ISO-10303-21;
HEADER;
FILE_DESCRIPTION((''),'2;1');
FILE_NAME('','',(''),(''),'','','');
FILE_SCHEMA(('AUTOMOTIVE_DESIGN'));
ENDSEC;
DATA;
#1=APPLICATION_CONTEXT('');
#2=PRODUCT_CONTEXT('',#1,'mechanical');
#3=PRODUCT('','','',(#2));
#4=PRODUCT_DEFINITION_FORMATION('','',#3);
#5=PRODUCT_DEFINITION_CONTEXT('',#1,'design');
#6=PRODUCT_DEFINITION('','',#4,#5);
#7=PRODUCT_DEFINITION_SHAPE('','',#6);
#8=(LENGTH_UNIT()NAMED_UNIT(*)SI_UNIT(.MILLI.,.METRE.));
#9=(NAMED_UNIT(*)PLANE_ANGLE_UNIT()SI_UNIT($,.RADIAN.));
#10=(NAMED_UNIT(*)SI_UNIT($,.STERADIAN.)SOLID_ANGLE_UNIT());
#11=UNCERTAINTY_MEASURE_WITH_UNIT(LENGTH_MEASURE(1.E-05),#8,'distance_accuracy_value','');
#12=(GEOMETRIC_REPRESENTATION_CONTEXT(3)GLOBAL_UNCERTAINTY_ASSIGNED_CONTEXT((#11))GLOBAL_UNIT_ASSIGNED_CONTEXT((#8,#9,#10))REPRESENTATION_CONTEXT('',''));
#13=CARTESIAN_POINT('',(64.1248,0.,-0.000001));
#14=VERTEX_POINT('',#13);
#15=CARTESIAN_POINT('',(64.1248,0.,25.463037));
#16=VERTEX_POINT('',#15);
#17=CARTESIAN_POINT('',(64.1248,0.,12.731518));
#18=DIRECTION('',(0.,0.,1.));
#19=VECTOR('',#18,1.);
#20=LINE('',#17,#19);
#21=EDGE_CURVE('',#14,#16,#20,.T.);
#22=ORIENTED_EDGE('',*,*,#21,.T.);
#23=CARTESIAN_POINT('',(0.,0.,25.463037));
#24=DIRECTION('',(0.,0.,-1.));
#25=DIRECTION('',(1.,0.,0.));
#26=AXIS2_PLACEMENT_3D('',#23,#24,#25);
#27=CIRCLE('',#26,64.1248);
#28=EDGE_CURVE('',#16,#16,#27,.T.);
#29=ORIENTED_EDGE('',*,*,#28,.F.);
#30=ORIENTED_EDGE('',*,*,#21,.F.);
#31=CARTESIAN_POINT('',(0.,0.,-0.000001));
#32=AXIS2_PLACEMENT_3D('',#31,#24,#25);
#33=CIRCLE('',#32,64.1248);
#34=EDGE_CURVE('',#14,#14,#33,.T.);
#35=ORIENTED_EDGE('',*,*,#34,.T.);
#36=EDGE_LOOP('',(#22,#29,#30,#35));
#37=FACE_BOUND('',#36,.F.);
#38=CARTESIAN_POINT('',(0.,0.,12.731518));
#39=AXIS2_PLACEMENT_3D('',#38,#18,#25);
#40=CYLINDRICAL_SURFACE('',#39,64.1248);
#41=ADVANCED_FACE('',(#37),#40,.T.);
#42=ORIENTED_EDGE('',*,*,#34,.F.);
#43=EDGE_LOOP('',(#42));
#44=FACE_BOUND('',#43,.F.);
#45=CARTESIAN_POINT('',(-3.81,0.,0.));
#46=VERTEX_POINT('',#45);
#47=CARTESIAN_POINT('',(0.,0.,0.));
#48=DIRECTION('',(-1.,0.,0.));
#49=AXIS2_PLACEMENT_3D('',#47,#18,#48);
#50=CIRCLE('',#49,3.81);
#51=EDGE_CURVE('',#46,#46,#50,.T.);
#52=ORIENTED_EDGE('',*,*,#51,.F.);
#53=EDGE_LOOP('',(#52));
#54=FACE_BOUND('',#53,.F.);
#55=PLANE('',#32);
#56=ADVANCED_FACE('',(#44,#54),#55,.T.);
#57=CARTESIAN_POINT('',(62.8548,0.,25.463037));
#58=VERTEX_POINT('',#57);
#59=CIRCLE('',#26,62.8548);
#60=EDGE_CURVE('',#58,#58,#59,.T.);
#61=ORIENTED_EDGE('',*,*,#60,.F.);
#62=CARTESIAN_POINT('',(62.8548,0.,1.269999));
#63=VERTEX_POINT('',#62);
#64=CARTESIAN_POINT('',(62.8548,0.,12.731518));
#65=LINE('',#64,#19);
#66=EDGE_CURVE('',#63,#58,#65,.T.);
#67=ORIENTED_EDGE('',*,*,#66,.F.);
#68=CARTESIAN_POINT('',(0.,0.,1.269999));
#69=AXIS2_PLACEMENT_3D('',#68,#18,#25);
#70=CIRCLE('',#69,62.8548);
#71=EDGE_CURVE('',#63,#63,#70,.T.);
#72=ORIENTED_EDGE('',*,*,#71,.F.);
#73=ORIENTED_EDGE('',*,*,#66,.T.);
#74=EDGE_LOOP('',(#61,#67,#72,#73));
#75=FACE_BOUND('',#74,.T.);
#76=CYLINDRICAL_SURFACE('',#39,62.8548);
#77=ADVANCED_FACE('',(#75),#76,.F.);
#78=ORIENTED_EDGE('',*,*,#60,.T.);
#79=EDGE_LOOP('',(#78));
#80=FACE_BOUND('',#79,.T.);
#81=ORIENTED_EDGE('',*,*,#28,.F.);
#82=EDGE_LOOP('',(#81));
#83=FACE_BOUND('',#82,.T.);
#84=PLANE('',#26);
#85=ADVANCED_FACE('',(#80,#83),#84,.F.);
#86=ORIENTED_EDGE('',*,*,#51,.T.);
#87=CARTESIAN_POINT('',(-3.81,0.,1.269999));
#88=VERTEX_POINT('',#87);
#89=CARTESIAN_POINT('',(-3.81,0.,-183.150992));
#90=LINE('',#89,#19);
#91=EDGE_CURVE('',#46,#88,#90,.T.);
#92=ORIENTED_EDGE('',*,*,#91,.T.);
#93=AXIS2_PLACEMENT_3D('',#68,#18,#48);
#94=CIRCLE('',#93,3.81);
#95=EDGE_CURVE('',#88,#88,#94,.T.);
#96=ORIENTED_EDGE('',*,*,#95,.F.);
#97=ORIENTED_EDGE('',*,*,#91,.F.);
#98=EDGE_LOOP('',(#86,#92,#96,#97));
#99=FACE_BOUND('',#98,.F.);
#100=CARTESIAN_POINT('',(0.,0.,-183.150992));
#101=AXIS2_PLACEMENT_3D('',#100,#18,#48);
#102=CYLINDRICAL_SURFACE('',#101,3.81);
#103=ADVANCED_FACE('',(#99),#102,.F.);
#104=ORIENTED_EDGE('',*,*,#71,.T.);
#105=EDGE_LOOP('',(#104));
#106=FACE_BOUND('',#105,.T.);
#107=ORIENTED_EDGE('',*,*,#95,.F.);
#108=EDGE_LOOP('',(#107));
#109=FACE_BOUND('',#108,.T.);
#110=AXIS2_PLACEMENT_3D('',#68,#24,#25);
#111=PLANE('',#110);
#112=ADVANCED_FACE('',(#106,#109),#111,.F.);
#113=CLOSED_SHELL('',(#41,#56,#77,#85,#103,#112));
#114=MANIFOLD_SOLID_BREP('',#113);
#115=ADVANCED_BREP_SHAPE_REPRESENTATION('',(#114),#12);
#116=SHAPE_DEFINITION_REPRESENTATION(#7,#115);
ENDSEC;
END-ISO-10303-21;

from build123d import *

# Parameters (mm, degrees)
F0_W = 64.1248
F0_H = 25.463037
F2_T = -1.27
F4_D = 7.62


with BuildPart() as f1:
    # F0 (on Front) → F1 (revolve)
    with BuildSketch(Plane.XZ):
        with Locations((32.0624, 12.731518)):
            Rectangle(F0_W, F0_H)
    revolve(axis=Axis((0, 0, 5.022522), (0, 0, -1)))

    # F2
    f2_openings = [f1.faces().sort_by_distance(p)[0] for p in [
        (0, 0, 25.463037),
    ]]
    offset(amount=F2_T, openings=f2_openings)

    # F4 (through all)
    with Locations(Plane(origin=(0, 0, 0), x_dir=(1, 0, 0), z_dir=(0, 0, -1))):
        with Locations((0, 0)):
            Hole(F4_D / 2)


solid = f1.part
